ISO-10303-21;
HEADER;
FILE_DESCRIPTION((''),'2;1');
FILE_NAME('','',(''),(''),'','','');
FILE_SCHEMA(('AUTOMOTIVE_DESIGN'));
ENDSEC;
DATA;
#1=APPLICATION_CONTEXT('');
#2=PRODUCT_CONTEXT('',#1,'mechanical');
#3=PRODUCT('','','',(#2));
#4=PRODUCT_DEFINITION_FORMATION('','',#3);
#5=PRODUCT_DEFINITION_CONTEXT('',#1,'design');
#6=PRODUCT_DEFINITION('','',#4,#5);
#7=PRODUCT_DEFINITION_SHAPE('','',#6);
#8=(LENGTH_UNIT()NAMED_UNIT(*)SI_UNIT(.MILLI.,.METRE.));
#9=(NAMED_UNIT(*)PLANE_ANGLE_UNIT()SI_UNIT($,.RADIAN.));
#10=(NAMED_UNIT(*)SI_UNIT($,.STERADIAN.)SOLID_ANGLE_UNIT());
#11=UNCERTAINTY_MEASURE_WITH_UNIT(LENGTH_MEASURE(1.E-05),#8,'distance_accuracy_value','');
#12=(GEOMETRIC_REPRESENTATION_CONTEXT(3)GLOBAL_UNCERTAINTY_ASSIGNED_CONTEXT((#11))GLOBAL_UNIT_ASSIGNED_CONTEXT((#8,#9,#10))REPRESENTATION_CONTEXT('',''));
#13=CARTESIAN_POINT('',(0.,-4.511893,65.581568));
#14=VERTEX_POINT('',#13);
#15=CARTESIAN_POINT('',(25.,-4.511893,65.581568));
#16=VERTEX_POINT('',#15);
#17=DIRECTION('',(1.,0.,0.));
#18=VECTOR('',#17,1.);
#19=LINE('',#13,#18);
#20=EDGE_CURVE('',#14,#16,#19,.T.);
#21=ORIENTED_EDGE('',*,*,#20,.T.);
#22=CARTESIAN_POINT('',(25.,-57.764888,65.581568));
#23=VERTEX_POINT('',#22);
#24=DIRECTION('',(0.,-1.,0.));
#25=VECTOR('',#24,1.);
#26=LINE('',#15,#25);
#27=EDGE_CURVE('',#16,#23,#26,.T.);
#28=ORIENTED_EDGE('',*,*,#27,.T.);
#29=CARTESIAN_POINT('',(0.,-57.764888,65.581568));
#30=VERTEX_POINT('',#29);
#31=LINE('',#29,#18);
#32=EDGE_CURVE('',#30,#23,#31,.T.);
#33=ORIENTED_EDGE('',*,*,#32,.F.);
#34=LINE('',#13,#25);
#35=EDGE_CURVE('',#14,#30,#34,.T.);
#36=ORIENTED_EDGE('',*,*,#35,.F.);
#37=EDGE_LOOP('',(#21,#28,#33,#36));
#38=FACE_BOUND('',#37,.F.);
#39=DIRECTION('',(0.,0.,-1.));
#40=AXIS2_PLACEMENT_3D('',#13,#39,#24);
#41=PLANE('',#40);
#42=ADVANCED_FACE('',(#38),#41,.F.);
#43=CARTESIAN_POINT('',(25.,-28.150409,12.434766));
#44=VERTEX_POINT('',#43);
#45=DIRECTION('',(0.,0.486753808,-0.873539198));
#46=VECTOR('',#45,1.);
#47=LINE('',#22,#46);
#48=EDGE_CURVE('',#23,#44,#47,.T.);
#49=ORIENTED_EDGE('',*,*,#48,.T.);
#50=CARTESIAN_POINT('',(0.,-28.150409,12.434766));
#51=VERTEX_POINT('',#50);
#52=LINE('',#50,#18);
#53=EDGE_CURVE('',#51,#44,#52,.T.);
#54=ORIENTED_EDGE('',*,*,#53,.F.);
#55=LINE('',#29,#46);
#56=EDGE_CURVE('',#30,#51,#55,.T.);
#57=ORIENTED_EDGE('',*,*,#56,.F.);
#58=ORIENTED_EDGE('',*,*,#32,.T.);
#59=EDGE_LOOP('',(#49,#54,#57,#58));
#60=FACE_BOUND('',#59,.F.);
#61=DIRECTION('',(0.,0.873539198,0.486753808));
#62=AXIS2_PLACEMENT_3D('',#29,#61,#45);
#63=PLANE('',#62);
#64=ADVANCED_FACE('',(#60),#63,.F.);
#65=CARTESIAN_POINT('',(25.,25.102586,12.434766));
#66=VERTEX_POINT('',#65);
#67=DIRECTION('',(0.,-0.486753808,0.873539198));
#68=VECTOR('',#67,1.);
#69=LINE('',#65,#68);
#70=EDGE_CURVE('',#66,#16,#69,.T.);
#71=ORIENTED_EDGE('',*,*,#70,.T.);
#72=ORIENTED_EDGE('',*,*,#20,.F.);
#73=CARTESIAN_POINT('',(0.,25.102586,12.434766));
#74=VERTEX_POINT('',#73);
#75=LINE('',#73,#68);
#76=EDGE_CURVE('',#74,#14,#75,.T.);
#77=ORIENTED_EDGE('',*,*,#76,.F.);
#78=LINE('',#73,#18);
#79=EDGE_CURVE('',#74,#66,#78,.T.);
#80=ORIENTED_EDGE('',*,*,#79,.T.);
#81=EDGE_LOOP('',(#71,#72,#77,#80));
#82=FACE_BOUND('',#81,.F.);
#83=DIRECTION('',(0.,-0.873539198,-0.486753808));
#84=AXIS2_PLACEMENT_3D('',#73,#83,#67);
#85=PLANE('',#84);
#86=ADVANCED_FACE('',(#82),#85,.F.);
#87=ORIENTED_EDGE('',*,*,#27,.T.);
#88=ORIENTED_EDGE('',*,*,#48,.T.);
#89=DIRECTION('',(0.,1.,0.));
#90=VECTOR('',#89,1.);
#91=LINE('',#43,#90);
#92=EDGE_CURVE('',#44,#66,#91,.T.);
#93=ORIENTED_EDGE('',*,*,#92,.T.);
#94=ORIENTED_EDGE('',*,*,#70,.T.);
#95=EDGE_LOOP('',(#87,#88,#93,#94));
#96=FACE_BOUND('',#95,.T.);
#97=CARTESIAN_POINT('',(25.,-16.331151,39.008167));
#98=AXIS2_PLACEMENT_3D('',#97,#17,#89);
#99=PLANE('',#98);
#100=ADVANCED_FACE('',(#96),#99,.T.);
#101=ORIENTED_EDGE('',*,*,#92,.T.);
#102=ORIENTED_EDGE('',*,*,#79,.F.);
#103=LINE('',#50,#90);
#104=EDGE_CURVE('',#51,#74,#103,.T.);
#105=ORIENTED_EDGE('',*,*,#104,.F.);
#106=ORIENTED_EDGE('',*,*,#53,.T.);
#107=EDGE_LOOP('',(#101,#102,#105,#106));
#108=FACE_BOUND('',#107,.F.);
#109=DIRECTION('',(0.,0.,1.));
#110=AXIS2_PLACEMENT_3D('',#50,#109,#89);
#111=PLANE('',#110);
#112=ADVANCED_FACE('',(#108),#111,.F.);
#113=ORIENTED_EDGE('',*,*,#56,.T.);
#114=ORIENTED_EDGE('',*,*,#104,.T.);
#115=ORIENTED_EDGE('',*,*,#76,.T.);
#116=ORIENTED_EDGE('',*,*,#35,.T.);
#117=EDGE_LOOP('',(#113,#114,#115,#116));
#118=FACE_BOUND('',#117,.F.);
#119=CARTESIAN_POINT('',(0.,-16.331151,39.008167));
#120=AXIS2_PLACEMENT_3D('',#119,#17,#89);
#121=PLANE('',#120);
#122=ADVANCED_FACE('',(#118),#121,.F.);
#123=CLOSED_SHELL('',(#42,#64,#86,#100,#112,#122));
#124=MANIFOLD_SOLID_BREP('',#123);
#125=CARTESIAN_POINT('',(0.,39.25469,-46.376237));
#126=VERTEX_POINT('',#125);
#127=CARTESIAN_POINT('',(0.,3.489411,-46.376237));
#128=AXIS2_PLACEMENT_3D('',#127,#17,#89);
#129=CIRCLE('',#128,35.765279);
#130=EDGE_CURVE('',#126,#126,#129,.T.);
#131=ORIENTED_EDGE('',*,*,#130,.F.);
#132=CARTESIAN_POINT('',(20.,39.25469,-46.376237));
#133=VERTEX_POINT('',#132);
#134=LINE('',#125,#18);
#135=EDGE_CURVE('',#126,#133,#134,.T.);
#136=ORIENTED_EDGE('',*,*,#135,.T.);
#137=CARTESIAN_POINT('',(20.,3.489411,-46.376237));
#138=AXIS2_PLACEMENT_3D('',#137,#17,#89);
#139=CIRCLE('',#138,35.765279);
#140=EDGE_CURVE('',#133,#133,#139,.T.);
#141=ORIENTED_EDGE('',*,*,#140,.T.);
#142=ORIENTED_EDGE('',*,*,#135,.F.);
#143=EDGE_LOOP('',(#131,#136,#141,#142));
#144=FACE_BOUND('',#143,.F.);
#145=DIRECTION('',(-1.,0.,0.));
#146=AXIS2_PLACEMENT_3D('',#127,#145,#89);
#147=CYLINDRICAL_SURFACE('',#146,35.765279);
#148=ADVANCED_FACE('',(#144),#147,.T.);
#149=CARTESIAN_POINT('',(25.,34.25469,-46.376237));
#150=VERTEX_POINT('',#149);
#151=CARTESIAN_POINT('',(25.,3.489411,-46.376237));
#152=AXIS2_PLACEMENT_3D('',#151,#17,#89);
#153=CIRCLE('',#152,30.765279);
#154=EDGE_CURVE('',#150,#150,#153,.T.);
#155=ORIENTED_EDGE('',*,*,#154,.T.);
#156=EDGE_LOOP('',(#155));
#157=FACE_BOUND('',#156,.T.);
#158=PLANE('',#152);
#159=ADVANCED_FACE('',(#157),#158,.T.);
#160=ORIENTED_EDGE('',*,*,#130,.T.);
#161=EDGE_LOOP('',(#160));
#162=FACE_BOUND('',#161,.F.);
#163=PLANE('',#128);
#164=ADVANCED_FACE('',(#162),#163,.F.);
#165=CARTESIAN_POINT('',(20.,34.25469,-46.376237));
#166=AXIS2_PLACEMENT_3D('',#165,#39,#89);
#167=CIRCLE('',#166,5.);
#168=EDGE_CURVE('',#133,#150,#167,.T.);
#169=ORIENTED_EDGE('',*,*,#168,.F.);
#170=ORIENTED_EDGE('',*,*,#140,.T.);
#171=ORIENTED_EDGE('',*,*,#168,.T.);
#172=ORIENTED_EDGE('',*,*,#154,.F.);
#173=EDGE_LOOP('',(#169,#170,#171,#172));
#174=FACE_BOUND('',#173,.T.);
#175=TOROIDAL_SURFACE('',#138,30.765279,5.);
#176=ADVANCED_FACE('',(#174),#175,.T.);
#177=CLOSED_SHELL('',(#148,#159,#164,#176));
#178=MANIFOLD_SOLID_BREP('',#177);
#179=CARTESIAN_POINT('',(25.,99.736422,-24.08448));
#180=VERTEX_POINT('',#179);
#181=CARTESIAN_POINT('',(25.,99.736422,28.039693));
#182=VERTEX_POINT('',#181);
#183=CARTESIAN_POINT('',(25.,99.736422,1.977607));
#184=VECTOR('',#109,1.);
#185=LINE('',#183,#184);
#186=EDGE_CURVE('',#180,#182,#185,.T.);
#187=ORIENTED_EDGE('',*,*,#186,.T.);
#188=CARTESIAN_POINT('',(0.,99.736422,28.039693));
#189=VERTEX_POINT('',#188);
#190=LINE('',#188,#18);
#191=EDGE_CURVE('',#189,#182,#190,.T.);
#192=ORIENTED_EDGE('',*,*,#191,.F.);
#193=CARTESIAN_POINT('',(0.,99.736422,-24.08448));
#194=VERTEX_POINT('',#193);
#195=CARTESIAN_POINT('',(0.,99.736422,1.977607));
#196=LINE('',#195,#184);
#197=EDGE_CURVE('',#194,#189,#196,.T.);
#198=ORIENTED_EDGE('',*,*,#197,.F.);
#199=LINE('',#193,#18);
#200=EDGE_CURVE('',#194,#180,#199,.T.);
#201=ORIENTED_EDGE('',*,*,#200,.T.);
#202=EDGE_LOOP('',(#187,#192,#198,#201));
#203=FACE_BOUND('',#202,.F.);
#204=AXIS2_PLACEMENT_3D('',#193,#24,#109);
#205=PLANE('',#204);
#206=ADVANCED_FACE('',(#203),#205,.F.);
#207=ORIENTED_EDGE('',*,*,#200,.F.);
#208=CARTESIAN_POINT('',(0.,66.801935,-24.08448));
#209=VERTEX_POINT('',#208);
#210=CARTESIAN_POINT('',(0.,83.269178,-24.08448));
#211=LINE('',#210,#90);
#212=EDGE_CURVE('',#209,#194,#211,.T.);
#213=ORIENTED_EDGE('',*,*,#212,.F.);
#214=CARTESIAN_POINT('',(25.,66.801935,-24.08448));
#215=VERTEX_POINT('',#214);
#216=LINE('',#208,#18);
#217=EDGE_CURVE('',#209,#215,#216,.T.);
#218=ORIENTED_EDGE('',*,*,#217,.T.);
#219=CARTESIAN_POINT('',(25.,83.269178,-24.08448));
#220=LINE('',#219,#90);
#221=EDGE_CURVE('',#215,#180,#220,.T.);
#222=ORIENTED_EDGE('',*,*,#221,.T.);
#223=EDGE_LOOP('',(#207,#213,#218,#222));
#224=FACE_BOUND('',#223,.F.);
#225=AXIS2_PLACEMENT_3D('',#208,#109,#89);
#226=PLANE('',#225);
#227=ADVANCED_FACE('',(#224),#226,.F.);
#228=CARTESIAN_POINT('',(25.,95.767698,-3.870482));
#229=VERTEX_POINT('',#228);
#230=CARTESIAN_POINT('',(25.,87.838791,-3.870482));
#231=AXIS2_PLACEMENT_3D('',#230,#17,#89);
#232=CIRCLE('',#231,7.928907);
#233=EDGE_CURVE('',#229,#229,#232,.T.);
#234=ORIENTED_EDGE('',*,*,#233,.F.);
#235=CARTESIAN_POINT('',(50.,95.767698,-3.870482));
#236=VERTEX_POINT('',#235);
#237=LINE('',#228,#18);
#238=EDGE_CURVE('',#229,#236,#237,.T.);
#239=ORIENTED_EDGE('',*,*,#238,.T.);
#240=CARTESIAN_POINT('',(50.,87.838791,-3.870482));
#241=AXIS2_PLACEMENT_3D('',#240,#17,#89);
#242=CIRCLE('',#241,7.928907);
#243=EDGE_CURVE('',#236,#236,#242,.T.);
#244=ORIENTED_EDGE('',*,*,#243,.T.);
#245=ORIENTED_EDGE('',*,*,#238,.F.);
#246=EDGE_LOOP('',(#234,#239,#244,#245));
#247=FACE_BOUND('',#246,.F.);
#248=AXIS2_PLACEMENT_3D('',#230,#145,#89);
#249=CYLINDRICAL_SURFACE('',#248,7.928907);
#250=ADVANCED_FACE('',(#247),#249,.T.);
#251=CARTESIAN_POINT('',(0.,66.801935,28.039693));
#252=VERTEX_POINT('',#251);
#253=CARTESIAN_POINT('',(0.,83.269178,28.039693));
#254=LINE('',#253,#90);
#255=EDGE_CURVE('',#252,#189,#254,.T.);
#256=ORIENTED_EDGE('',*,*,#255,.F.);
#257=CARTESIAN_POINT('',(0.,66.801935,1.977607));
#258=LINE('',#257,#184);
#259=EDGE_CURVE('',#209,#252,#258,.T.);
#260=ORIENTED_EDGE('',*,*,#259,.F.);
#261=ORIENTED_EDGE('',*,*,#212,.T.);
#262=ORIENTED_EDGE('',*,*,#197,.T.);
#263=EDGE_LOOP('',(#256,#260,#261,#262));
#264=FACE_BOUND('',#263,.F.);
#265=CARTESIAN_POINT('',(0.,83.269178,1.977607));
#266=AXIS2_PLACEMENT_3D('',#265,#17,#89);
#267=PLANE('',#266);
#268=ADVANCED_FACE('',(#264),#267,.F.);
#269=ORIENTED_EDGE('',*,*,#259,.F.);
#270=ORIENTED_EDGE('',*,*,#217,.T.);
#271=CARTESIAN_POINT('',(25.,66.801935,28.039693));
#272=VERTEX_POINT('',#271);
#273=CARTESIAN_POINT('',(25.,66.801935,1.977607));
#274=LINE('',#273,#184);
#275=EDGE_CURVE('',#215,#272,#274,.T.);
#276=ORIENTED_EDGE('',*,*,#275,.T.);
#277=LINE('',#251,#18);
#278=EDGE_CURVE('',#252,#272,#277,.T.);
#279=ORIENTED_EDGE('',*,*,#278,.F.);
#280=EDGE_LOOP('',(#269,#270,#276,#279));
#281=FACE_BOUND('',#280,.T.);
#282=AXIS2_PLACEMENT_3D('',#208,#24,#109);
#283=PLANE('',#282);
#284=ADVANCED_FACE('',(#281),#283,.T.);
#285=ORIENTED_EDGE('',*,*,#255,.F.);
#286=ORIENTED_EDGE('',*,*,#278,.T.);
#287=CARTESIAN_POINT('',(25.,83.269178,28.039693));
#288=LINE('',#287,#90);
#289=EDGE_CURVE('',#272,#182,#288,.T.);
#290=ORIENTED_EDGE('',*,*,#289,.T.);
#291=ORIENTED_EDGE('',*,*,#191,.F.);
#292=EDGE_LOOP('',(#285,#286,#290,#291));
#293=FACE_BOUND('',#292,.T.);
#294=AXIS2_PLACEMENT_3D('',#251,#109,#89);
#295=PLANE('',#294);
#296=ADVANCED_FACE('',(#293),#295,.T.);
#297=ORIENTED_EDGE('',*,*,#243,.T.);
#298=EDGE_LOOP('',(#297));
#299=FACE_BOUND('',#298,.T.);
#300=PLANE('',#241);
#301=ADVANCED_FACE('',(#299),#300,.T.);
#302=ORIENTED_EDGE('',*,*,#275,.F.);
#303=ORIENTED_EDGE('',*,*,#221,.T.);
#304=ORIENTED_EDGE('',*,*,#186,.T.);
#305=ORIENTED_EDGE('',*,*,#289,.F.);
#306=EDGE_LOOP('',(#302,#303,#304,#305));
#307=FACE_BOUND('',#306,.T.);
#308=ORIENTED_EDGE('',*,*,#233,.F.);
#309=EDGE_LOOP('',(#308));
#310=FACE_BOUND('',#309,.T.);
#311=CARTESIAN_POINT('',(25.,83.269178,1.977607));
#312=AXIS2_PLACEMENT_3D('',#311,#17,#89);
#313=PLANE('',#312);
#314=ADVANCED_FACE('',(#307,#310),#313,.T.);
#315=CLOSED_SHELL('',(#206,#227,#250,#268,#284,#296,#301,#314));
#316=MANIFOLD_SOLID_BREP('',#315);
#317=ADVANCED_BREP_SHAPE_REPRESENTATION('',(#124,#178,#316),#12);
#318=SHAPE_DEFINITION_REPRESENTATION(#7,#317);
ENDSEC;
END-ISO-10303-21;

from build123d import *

# Parameters (mm, degrees)
F0_R     = 35.765279
F0_W     = 32.934487
F0_H     = 52.124173
F1_DEPTH = 25
F2_R     = 5
F3_R     = 7.928907
F4_DEPTH = 25


with BuildPart() as f1:
    # F0 (on Right) → F1 (new body)
    with BuildSketch(Plane.YZ):
        Polygon((-4.511893, 65.581568), (-57.764888, 65.581568), (-28.150409, 12.434766), (25.102586, 12.434766), align=None)
        with Locations((3.489411, -46.376237)):
            Circle(F0_R)
        with Locations((83.269178, 1.977607)):
            Rectangle(F0_W, F0_H)
    extrude(amount=F1_DEPTH)

    # F2
    f2_edges = [f1.edges().sort_by_distance(p)[0] for p in [
        (25, -32.275868, -46.376237),
    ]]
    fillet(f2_edges, radius=F2_R)

    # F3 (on face) → F4 (join)
    with BuildSketch(Plane.YZ.offset(25)):
        with Locations((87.838791, -3.870482)):
            Circle(F3_R)
    extrude(amount=F4_DEPTH)


solid = f1.part
